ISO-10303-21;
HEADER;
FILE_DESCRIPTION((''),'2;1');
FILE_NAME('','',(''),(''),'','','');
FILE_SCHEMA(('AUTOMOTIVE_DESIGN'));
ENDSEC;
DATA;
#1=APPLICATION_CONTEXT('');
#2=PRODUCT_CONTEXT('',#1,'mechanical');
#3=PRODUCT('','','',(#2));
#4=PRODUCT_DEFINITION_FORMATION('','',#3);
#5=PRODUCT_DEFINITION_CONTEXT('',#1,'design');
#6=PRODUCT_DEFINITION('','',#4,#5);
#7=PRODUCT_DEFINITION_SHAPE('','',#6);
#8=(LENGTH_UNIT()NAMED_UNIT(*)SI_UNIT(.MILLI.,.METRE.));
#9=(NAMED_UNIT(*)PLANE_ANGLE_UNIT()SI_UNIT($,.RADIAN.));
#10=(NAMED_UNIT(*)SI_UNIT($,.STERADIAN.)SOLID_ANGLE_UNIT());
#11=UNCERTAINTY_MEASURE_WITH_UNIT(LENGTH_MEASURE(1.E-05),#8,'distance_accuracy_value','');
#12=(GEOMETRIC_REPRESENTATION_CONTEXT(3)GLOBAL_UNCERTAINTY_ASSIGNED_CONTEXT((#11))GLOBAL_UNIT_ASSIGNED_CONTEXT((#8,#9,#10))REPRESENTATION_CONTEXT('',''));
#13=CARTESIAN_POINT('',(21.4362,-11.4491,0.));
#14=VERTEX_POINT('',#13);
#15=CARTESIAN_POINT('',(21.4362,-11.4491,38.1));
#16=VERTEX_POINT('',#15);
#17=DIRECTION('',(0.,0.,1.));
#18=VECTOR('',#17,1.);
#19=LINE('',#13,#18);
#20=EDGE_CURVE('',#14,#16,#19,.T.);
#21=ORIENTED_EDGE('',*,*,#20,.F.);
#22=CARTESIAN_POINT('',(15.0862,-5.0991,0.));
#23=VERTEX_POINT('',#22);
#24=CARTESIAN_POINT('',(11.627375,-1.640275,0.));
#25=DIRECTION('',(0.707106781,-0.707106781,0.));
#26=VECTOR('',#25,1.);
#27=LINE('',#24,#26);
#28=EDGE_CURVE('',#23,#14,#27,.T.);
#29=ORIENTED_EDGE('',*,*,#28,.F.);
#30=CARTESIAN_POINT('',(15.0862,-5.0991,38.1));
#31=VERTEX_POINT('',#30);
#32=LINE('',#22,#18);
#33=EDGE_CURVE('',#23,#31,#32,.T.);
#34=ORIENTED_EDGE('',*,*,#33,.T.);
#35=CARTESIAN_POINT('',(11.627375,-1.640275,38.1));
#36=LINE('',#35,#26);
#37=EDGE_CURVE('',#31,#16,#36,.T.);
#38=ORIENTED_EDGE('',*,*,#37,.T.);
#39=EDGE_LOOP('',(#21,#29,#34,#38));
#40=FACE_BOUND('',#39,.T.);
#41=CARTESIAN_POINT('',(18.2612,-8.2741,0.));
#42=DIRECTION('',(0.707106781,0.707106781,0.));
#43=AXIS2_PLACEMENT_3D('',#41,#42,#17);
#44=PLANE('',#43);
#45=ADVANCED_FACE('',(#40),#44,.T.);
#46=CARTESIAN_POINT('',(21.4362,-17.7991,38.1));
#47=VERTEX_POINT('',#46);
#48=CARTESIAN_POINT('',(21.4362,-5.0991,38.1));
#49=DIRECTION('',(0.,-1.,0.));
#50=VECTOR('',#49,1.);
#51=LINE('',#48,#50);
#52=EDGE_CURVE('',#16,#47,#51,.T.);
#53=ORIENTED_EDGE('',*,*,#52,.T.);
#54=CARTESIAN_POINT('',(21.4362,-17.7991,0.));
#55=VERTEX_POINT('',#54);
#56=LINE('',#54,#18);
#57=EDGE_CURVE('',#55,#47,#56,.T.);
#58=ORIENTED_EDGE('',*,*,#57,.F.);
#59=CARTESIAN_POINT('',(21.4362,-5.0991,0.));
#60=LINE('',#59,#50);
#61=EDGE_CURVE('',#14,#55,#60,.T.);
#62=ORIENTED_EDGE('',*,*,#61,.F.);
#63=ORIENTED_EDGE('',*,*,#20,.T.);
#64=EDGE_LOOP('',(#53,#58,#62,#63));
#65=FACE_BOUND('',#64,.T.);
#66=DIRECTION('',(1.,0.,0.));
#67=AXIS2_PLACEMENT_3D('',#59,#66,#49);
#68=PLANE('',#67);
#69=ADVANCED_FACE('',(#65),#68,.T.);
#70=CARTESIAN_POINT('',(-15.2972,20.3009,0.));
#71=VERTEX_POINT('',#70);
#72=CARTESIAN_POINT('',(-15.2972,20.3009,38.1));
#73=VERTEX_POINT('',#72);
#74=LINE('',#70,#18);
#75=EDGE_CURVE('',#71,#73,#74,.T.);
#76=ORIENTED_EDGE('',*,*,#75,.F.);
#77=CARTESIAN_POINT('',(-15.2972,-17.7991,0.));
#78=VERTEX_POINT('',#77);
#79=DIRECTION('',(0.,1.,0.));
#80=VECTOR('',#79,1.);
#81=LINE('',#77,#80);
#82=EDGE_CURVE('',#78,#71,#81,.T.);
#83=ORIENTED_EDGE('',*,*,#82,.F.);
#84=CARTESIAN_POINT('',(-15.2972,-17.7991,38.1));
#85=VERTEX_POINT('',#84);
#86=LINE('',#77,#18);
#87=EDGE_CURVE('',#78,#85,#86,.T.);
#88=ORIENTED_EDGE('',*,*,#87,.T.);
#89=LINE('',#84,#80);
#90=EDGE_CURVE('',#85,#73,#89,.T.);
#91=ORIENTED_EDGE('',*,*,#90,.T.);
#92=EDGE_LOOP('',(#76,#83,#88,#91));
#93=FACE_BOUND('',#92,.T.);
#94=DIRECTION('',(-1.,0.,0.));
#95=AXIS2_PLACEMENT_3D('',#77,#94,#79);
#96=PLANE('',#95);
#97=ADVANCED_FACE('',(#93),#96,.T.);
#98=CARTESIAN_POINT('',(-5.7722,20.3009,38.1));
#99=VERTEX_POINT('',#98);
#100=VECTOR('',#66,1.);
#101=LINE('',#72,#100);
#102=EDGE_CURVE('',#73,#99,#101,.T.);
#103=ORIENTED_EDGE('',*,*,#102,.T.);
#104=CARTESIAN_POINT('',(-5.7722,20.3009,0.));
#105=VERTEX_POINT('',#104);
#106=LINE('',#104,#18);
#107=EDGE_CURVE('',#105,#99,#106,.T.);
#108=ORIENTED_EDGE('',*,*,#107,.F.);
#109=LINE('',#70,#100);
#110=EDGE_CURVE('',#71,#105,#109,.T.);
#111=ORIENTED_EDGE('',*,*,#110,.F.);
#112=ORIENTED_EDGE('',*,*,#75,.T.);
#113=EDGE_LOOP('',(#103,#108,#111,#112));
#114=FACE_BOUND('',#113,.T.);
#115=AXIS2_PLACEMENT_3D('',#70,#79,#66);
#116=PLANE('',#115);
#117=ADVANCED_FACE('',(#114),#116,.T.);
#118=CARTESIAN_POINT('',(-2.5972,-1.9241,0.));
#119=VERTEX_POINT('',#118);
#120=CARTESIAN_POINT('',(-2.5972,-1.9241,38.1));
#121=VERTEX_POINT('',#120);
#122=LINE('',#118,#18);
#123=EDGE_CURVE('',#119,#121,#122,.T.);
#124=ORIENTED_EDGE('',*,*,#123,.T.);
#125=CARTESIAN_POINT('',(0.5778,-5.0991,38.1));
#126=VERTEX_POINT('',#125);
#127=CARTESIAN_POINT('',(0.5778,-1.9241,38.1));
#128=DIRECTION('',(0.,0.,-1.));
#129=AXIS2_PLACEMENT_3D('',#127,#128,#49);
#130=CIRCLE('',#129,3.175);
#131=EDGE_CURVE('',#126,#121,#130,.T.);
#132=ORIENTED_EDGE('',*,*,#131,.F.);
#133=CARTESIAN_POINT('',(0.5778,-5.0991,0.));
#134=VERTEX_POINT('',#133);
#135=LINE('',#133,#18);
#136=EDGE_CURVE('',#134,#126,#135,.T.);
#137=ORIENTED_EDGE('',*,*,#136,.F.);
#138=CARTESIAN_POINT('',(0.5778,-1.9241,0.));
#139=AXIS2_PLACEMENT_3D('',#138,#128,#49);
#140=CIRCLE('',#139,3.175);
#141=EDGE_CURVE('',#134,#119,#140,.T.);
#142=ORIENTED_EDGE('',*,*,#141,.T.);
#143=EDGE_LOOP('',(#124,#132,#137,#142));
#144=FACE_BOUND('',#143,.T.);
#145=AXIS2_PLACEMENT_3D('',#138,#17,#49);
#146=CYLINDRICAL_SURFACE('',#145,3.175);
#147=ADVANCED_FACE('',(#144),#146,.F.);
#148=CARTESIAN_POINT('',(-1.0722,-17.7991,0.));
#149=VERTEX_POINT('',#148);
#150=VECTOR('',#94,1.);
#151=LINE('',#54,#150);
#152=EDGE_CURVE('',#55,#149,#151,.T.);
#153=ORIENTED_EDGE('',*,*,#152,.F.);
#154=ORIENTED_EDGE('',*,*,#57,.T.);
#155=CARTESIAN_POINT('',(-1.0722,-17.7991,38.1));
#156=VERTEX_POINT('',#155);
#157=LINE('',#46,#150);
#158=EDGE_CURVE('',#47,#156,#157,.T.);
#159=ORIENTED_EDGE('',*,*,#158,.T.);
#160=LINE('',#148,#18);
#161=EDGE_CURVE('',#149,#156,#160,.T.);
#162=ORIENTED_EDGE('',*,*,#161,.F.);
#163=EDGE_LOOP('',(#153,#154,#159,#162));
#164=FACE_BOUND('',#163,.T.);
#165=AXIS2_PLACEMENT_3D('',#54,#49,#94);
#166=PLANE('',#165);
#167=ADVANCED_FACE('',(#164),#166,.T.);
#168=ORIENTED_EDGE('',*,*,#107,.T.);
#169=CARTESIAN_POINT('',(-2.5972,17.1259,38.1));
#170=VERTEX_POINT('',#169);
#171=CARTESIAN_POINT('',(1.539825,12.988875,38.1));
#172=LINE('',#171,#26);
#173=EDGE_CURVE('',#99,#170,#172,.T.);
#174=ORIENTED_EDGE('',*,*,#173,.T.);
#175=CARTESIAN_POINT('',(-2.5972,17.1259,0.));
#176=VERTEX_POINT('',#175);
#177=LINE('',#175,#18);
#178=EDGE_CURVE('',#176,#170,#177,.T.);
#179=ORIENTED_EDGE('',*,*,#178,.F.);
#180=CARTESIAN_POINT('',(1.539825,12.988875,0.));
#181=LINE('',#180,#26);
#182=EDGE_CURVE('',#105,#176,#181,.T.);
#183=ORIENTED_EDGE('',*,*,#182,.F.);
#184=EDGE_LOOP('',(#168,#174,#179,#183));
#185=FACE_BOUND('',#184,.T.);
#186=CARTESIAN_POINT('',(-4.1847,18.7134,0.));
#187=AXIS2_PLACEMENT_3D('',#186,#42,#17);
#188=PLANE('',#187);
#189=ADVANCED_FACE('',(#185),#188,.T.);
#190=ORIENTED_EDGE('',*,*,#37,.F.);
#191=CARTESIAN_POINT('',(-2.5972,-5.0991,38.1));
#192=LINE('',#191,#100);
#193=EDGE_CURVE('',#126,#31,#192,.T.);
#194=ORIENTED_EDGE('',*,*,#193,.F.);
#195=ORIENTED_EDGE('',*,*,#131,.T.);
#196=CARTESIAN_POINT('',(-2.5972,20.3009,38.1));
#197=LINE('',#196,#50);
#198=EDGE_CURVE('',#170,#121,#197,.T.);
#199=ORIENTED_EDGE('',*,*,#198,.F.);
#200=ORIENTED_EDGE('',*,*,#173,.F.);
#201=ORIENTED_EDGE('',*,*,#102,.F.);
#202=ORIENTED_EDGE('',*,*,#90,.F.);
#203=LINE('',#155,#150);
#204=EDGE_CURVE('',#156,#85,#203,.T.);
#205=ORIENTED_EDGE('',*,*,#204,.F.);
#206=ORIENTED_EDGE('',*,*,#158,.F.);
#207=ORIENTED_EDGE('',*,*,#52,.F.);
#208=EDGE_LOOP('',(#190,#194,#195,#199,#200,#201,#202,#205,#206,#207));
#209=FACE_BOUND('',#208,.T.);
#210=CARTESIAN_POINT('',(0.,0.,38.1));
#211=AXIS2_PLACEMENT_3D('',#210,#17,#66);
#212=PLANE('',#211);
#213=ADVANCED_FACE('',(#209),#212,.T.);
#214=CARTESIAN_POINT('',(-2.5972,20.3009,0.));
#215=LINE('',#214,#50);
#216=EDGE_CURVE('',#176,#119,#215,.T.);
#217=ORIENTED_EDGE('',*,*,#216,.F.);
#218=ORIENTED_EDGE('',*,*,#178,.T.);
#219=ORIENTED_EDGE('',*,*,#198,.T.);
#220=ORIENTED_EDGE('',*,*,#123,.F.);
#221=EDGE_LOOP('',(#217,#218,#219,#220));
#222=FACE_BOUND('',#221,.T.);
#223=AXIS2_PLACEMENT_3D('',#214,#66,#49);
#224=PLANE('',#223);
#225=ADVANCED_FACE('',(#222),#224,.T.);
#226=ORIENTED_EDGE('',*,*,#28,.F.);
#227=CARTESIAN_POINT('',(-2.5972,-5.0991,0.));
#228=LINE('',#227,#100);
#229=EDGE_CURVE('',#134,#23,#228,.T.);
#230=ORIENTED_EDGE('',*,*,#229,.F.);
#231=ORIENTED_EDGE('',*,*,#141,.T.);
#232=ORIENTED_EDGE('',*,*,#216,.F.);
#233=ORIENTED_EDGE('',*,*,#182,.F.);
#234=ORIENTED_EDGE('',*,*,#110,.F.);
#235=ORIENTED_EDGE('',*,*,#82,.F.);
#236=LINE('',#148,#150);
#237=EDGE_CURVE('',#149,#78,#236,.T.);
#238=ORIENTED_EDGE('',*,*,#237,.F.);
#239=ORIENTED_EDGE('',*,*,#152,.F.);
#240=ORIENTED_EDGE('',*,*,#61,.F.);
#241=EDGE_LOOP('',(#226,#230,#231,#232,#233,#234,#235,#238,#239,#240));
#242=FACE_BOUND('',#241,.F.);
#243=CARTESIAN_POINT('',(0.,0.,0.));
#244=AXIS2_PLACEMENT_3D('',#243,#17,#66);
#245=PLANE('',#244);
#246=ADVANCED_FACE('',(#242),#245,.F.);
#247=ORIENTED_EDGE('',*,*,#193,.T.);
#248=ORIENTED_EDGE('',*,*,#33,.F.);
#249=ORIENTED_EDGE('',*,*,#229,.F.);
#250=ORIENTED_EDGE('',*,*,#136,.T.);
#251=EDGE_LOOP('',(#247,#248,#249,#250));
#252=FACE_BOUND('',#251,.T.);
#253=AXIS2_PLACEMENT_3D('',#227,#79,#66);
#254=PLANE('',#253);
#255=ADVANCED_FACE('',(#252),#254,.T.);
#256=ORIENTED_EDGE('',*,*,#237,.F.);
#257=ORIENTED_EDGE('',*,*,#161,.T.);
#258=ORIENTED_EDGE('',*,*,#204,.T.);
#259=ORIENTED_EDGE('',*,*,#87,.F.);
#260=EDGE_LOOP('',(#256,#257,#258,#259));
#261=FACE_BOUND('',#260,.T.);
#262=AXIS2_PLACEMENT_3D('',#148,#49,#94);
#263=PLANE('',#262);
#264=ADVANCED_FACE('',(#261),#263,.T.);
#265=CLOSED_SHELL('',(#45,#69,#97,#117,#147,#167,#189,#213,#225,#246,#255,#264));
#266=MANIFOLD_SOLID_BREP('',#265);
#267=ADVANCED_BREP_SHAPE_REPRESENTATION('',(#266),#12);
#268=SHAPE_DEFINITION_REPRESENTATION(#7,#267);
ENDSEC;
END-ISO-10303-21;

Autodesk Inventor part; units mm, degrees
ref_plane "YZ Plane" through (0, 0, 0) normal (1, 0, 0) x (0, 1, 0)
ref_plane "XZ Plane" through (0, 0, 0) normal (0, 1, 0) x (-1, 0, 0)
ref_plane "XY Plane" through (0, 0, 0) normal (0, 0, 1) x (1, 0, 0)
sketch "Sketch1" plane through (0, 0, 0) normal (0, 0, 1) x (1, 0, 0)
  line L0 (-15.2972, 20.3009) -> (-2.5972, 20.3009)
  line L1 (-2.5972, 20.3009) -> (-2.5972, -5.0991)
  line L2 (-1.0722, -17.7991) -> (-15.2972, -17.7991)
  line L3 (-15.2972, -17.7991) -> (-15.2972, 20.3009)
  line L4 (-2.5972, -5.0991) -> (21.4362, -5.0991)
  line L5 (21.4362, -5.0991) -> (21.4362, -17.7991)
  line L6 (21.4362, -17.7991) -> (-1.0722, -17.7991)
  point P0 (0, 0)
  dimension "d0" = 38.1
  dimension "d1" = 12.7
  dimension "d2" = 25.4
extrude "Extrusion1" add sketch "Sketch1" along normal blind 38.1
chamfer "Chamfer1" distance 3.175 angle 45 1 edges at (-2.5972, 20.3009, 19.05)
chamfer "Chamfer2" distance 6.35 angle 45 1 edges at (21.4362, -5.0991, 19.05)
fillet "Fillet2" radius 3.175 1 edges at (-2.5972, -5.0991, 19.05)
properties part number "ChamferAngle"
